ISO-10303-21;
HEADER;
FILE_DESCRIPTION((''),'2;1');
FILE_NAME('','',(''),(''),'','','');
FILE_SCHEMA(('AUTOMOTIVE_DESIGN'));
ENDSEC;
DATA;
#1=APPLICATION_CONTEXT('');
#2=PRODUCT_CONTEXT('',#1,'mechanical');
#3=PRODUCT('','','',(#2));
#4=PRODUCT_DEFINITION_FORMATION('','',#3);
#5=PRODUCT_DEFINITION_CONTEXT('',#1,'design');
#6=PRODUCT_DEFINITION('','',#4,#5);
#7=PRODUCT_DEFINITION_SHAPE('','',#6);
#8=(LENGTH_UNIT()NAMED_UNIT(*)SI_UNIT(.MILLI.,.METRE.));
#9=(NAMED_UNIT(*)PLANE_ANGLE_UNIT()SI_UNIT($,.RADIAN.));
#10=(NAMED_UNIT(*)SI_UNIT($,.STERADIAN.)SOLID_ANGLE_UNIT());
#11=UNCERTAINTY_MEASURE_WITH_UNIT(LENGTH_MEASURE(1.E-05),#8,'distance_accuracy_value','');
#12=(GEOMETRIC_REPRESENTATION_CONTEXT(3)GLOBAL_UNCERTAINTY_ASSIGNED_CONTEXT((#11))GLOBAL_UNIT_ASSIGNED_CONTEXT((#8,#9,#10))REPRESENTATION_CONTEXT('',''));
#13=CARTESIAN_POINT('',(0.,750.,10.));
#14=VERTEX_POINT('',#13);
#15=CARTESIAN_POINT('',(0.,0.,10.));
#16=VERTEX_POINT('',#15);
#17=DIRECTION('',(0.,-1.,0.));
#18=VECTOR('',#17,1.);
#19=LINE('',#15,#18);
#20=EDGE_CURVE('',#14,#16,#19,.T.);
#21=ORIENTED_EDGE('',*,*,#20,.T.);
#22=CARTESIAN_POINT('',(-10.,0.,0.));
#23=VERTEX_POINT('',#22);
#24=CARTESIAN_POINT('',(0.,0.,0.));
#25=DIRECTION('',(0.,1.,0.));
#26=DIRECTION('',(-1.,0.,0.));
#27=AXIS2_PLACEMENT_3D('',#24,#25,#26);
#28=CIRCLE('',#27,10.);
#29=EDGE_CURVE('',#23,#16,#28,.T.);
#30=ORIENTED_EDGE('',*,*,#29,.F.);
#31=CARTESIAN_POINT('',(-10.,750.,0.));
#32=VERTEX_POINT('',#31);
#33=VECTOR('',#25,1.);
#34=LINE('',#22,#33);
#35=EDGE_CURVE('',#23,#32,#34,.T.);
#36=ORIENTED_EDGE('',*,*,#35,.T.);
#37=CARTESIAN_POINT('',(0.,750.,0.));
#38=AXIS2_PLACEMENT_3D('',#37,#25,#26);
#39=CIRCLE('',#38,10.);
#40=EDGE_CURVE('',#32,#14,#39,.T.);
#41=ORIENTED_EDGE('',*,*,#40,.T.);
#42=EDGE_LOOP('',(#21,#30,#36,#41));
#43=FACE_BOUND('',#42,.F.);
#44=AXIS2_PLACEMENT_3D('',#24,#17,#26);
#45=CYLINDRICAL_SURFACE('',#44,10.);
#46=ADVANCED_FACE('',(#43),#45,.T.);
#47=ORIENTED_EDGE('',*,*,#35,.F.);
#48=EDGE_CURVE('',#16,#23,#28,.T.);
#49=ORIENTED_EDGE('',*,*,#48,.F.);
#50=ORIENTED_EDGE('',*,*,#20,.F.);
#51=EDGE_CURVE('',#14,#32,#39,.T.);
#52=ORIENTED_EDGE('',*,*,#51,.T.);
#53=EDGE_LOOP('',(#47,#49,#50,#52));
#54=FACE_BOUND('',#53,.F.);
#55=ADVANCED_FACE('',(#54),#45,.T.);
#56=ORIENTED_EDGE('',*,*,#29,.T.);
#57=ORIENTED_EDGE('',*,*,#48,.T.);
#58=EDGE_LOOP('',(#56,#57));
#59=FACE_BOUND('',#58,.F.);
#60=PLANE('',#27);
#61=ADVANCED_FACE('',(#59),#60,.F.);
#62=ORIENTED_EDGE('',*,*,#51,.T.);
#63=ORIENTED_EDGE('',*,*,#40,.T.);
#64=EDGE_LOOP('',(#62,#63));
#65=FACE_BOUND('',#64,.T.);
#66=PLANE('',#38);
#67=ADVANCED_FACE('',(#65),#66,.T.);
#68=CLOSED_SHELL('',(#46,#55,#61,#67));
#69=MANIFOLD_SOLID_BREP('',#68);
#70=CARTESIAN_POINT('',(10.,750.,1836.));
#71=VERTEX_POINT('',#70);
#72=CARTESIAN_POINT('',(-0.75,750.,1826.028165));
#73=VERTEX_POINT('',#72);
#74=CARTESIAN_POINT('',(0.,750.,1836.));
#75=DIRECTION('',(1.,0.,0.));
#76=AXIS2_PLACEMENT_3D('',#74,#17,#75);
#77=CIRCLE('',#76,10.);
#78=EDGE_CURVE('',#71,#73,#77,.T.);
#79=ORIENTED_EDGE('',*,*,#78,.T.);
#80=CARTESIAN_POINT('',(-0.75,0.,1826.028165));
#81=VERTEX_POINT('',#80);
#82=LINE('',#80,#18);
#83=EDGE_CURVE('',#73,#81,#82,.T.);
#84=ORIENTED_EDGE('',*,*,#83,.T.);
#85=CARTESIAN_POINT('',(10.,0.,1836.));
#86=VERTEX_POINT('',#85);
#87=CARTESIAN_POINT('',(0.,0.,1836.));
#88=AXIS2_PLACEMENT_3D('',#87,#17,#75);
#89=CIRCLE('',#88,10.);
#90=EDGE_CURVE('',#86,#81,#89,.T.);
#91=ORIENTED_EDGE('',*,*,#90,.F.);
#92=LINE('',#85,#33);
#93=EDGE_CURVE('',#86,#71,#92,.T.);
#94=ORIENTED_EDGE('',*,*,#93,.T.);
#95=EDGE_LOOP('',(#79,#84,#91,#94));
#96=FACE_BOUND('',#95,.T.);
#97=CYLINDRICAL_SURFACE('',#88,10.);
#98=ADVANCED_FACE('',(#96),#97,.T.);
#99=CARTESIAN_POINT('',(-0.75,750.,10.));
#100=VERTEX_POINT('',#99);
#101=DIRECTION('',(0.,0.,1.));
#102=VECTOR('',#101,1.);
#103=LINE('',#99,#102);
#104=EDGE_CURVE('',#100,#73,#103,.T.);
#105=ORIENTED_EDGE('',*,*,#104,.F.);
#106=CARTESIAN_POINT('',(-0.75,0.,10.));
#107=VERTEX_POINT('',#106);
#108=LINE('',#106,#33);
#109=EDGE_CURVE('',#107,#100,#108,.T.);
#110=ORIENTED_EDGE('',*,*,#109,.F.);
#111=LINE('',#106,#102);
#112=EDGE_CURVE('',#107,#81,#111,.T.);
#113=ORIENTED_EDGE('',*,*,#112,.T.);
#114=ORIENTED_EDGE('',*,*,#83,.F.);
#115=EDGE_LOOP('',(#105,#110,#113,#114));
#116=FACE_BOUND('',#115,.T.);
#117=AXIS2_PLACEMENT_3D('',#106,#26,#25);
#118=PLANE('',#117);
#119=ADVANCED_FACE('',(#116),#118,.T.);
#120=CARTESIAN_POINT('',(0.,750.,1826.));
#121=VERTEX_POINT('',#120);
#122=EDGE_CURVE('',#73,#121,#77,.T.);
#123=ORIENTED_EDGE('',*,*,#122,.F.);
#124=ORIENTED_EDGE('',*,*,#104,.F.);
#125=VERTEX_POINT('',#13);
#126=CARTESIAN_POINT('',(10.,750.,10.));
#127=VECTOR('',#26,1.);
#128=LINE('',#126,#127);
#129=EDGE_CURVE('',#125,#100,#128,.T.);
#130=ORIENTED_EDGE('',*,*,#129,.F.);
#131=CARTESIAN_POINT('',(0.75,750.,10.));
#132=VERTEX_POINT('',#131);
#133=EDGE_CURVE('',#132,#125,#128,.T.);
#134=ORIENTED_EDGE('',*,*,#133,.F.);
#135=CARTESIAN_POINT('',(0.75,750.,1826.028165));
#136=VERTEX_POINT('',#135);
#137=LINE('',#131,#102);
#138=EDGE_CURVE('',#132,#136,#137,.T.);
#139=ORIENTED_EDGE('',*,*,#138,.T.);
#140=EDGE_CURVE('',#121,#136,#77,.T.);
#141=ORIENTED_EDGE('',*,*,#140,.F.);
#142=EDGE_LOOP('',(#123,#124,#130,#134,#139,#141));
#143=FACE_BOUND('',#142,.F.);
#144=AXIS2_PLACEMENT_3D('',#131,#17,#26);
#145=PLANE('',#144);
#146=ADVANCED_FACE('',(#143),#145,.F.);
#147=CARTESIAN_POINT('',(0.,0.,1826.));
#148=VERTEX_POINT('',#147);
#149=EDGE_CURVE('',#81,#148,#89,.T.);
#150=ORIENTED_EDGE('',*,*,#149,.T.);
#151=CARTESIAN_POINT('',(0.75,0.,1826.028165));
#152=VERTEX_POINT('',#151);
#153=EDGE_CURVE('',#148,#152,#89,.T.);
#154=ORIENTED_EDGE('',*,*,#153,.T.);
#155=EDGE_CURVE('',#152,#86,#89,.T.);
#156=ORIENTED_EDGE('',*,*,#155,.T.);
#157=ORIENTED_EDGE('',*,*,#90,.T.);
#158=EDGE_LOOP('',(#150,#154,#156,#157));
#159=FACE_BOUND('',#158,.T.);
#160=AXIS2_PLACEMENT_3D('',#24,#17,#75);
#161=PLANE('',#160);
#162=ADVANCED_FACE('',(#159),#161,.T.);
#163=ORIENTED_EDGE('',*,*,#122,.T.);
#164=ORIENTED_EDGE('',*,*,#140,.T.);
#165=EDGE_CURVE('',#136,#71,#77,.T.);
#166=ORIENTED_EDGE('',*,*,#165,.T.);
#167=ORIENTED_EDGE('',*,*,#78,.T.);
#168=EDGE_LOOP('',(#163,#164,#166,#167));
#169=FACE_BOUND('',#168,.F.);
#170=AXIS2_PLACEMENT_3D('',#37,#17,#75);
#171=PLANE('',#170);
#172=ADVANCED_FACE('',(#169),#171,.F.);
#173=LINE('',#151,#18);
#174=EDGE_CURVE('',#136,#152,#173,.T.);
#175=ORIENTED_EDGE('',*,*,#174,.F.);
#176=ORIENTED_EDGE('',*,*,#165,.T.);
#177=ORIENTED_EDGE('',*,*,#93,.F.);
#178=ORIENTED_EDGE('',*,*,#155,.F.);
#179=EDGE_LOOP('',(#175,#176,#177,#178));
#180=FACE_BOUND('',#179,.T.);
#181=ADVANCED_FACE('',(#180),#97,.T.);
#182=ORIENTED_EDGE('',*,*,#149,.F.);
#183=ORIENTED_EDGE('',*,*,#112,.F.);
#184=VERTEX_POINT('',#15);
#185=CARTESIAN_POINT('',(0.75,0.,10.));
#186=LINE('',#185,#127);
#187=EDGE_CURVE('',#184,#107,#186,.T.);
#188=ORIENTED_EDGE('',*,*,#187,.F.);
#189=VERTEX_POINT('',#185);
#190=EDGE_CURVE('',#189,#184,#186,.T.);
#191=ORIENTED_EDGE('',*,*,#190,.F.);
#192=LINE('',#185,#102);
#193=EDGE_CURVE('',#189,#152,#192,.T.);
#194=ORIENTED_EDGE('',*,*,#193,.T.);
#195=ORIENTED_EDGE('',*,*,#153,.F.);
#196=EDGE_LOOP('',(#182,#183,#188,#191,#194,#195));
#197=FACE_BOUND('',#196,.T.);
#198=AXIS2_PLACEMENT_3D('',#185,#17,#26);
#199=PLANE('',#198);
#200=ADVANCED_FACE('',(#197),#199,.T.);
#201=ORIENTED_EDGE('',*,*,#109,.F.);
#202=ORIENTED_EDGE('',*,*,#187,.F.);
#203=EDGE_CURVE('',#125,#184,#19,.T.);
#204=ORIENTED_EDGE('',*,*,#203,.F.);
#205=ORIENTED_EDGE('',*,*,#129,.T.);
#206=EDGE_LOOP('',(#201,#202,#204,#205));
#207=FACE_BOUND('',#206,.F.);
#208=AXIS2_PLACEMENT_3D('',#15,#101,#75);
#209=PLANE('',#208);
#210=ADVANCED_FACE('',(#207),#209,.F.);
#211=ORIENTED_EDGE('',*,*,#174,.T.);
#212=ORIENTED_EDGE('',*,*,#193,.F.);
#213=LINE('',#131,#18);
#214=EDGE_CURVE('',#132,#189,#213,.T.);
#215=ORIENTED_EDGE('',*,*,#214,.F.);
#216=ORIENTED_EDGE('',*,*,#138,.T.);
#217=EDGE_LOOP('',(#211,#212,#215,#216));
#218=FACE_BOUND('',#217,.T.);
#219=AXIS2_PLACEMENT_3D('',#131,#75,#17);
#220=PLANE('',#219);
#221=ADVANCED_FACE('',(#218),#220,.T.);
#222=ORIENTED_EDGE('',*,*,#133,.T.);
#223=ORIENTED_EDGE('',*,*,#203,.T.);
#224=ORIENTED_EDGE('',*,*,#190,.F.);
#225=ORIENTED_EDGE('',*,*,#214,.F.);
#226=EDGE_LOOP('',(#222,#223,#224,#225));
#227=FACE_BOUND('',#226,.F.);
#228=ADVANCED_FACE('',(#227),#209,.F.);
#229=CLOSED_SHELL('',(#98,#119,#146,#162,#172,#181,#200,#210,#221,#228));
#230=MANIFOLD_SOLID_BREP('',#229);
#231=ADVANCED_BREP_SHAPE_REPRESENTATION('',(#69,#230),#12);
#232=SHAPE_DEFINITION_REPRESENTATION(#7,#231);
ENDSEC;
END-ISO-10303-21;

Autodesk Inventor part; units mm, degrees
ref_plane "YZ Plane" through (0, 0, 0) normal (1, 0, 0) x (0, 1, 0)
ref_plane "XZ Plane" through (0, 0, 0) normal (0, 1, 0) x (-1, 0, 0)
sketch "Sketch1" plane through (0, 0, 0) normal (0, 1, 0) x (-1, 0, 0)
  circle A0 centre (0, 0) radius 10
  dimension "d0" = 20
extrude "Extrusion1" add sketch "Sketch1" along normal blind 750
sketch "Sketch2" plane through (0, 0, 0) normal (0, -1, 0) x (1, 0, 0)
  circle A0 centre (0, 0) radius 10 projected
  line L0 (0, 10) -> (0, 1826)
  circle A1 centre (0, 1836) radius 10
  dimension "d4" = 20
  dimension "d14" = 1856
  dimension "d5" = 10
  dimension "d6" = 0
extrude "Extrusion2" add sketch "Sketch2" against normal blind 750 contours A1
ref_plane "Work Plane1" through (0, 0, 10) normal (0, 0, 1) x (1, 0, 0)
sketch "Sketch3" plane through (0, 0, 10) normal (0, 0, 1) x (1, 0, 0)
  line L0 (10, 750) -> (-10, 750) projected
  line L1 (-0.75, 750) -> (0.75, 750)
  line L2 (0.75, 750) -> (0.75, 0)
  line L3 (0.75, 0) -> (-0.75, 0)
  line L4 (-0.75, 0) -> (-0.75, 750)
  line L5 (10, 0) -> (10, 750) projected
  point P0 (0, 0)
  dimension "d9" = 1.5
  dimension "d10" = 750
  dimension "d11" = 9.25
extrude "Extrusion3" add sketch "Sketch3" along normal up to surface
properties part number "Sail"
